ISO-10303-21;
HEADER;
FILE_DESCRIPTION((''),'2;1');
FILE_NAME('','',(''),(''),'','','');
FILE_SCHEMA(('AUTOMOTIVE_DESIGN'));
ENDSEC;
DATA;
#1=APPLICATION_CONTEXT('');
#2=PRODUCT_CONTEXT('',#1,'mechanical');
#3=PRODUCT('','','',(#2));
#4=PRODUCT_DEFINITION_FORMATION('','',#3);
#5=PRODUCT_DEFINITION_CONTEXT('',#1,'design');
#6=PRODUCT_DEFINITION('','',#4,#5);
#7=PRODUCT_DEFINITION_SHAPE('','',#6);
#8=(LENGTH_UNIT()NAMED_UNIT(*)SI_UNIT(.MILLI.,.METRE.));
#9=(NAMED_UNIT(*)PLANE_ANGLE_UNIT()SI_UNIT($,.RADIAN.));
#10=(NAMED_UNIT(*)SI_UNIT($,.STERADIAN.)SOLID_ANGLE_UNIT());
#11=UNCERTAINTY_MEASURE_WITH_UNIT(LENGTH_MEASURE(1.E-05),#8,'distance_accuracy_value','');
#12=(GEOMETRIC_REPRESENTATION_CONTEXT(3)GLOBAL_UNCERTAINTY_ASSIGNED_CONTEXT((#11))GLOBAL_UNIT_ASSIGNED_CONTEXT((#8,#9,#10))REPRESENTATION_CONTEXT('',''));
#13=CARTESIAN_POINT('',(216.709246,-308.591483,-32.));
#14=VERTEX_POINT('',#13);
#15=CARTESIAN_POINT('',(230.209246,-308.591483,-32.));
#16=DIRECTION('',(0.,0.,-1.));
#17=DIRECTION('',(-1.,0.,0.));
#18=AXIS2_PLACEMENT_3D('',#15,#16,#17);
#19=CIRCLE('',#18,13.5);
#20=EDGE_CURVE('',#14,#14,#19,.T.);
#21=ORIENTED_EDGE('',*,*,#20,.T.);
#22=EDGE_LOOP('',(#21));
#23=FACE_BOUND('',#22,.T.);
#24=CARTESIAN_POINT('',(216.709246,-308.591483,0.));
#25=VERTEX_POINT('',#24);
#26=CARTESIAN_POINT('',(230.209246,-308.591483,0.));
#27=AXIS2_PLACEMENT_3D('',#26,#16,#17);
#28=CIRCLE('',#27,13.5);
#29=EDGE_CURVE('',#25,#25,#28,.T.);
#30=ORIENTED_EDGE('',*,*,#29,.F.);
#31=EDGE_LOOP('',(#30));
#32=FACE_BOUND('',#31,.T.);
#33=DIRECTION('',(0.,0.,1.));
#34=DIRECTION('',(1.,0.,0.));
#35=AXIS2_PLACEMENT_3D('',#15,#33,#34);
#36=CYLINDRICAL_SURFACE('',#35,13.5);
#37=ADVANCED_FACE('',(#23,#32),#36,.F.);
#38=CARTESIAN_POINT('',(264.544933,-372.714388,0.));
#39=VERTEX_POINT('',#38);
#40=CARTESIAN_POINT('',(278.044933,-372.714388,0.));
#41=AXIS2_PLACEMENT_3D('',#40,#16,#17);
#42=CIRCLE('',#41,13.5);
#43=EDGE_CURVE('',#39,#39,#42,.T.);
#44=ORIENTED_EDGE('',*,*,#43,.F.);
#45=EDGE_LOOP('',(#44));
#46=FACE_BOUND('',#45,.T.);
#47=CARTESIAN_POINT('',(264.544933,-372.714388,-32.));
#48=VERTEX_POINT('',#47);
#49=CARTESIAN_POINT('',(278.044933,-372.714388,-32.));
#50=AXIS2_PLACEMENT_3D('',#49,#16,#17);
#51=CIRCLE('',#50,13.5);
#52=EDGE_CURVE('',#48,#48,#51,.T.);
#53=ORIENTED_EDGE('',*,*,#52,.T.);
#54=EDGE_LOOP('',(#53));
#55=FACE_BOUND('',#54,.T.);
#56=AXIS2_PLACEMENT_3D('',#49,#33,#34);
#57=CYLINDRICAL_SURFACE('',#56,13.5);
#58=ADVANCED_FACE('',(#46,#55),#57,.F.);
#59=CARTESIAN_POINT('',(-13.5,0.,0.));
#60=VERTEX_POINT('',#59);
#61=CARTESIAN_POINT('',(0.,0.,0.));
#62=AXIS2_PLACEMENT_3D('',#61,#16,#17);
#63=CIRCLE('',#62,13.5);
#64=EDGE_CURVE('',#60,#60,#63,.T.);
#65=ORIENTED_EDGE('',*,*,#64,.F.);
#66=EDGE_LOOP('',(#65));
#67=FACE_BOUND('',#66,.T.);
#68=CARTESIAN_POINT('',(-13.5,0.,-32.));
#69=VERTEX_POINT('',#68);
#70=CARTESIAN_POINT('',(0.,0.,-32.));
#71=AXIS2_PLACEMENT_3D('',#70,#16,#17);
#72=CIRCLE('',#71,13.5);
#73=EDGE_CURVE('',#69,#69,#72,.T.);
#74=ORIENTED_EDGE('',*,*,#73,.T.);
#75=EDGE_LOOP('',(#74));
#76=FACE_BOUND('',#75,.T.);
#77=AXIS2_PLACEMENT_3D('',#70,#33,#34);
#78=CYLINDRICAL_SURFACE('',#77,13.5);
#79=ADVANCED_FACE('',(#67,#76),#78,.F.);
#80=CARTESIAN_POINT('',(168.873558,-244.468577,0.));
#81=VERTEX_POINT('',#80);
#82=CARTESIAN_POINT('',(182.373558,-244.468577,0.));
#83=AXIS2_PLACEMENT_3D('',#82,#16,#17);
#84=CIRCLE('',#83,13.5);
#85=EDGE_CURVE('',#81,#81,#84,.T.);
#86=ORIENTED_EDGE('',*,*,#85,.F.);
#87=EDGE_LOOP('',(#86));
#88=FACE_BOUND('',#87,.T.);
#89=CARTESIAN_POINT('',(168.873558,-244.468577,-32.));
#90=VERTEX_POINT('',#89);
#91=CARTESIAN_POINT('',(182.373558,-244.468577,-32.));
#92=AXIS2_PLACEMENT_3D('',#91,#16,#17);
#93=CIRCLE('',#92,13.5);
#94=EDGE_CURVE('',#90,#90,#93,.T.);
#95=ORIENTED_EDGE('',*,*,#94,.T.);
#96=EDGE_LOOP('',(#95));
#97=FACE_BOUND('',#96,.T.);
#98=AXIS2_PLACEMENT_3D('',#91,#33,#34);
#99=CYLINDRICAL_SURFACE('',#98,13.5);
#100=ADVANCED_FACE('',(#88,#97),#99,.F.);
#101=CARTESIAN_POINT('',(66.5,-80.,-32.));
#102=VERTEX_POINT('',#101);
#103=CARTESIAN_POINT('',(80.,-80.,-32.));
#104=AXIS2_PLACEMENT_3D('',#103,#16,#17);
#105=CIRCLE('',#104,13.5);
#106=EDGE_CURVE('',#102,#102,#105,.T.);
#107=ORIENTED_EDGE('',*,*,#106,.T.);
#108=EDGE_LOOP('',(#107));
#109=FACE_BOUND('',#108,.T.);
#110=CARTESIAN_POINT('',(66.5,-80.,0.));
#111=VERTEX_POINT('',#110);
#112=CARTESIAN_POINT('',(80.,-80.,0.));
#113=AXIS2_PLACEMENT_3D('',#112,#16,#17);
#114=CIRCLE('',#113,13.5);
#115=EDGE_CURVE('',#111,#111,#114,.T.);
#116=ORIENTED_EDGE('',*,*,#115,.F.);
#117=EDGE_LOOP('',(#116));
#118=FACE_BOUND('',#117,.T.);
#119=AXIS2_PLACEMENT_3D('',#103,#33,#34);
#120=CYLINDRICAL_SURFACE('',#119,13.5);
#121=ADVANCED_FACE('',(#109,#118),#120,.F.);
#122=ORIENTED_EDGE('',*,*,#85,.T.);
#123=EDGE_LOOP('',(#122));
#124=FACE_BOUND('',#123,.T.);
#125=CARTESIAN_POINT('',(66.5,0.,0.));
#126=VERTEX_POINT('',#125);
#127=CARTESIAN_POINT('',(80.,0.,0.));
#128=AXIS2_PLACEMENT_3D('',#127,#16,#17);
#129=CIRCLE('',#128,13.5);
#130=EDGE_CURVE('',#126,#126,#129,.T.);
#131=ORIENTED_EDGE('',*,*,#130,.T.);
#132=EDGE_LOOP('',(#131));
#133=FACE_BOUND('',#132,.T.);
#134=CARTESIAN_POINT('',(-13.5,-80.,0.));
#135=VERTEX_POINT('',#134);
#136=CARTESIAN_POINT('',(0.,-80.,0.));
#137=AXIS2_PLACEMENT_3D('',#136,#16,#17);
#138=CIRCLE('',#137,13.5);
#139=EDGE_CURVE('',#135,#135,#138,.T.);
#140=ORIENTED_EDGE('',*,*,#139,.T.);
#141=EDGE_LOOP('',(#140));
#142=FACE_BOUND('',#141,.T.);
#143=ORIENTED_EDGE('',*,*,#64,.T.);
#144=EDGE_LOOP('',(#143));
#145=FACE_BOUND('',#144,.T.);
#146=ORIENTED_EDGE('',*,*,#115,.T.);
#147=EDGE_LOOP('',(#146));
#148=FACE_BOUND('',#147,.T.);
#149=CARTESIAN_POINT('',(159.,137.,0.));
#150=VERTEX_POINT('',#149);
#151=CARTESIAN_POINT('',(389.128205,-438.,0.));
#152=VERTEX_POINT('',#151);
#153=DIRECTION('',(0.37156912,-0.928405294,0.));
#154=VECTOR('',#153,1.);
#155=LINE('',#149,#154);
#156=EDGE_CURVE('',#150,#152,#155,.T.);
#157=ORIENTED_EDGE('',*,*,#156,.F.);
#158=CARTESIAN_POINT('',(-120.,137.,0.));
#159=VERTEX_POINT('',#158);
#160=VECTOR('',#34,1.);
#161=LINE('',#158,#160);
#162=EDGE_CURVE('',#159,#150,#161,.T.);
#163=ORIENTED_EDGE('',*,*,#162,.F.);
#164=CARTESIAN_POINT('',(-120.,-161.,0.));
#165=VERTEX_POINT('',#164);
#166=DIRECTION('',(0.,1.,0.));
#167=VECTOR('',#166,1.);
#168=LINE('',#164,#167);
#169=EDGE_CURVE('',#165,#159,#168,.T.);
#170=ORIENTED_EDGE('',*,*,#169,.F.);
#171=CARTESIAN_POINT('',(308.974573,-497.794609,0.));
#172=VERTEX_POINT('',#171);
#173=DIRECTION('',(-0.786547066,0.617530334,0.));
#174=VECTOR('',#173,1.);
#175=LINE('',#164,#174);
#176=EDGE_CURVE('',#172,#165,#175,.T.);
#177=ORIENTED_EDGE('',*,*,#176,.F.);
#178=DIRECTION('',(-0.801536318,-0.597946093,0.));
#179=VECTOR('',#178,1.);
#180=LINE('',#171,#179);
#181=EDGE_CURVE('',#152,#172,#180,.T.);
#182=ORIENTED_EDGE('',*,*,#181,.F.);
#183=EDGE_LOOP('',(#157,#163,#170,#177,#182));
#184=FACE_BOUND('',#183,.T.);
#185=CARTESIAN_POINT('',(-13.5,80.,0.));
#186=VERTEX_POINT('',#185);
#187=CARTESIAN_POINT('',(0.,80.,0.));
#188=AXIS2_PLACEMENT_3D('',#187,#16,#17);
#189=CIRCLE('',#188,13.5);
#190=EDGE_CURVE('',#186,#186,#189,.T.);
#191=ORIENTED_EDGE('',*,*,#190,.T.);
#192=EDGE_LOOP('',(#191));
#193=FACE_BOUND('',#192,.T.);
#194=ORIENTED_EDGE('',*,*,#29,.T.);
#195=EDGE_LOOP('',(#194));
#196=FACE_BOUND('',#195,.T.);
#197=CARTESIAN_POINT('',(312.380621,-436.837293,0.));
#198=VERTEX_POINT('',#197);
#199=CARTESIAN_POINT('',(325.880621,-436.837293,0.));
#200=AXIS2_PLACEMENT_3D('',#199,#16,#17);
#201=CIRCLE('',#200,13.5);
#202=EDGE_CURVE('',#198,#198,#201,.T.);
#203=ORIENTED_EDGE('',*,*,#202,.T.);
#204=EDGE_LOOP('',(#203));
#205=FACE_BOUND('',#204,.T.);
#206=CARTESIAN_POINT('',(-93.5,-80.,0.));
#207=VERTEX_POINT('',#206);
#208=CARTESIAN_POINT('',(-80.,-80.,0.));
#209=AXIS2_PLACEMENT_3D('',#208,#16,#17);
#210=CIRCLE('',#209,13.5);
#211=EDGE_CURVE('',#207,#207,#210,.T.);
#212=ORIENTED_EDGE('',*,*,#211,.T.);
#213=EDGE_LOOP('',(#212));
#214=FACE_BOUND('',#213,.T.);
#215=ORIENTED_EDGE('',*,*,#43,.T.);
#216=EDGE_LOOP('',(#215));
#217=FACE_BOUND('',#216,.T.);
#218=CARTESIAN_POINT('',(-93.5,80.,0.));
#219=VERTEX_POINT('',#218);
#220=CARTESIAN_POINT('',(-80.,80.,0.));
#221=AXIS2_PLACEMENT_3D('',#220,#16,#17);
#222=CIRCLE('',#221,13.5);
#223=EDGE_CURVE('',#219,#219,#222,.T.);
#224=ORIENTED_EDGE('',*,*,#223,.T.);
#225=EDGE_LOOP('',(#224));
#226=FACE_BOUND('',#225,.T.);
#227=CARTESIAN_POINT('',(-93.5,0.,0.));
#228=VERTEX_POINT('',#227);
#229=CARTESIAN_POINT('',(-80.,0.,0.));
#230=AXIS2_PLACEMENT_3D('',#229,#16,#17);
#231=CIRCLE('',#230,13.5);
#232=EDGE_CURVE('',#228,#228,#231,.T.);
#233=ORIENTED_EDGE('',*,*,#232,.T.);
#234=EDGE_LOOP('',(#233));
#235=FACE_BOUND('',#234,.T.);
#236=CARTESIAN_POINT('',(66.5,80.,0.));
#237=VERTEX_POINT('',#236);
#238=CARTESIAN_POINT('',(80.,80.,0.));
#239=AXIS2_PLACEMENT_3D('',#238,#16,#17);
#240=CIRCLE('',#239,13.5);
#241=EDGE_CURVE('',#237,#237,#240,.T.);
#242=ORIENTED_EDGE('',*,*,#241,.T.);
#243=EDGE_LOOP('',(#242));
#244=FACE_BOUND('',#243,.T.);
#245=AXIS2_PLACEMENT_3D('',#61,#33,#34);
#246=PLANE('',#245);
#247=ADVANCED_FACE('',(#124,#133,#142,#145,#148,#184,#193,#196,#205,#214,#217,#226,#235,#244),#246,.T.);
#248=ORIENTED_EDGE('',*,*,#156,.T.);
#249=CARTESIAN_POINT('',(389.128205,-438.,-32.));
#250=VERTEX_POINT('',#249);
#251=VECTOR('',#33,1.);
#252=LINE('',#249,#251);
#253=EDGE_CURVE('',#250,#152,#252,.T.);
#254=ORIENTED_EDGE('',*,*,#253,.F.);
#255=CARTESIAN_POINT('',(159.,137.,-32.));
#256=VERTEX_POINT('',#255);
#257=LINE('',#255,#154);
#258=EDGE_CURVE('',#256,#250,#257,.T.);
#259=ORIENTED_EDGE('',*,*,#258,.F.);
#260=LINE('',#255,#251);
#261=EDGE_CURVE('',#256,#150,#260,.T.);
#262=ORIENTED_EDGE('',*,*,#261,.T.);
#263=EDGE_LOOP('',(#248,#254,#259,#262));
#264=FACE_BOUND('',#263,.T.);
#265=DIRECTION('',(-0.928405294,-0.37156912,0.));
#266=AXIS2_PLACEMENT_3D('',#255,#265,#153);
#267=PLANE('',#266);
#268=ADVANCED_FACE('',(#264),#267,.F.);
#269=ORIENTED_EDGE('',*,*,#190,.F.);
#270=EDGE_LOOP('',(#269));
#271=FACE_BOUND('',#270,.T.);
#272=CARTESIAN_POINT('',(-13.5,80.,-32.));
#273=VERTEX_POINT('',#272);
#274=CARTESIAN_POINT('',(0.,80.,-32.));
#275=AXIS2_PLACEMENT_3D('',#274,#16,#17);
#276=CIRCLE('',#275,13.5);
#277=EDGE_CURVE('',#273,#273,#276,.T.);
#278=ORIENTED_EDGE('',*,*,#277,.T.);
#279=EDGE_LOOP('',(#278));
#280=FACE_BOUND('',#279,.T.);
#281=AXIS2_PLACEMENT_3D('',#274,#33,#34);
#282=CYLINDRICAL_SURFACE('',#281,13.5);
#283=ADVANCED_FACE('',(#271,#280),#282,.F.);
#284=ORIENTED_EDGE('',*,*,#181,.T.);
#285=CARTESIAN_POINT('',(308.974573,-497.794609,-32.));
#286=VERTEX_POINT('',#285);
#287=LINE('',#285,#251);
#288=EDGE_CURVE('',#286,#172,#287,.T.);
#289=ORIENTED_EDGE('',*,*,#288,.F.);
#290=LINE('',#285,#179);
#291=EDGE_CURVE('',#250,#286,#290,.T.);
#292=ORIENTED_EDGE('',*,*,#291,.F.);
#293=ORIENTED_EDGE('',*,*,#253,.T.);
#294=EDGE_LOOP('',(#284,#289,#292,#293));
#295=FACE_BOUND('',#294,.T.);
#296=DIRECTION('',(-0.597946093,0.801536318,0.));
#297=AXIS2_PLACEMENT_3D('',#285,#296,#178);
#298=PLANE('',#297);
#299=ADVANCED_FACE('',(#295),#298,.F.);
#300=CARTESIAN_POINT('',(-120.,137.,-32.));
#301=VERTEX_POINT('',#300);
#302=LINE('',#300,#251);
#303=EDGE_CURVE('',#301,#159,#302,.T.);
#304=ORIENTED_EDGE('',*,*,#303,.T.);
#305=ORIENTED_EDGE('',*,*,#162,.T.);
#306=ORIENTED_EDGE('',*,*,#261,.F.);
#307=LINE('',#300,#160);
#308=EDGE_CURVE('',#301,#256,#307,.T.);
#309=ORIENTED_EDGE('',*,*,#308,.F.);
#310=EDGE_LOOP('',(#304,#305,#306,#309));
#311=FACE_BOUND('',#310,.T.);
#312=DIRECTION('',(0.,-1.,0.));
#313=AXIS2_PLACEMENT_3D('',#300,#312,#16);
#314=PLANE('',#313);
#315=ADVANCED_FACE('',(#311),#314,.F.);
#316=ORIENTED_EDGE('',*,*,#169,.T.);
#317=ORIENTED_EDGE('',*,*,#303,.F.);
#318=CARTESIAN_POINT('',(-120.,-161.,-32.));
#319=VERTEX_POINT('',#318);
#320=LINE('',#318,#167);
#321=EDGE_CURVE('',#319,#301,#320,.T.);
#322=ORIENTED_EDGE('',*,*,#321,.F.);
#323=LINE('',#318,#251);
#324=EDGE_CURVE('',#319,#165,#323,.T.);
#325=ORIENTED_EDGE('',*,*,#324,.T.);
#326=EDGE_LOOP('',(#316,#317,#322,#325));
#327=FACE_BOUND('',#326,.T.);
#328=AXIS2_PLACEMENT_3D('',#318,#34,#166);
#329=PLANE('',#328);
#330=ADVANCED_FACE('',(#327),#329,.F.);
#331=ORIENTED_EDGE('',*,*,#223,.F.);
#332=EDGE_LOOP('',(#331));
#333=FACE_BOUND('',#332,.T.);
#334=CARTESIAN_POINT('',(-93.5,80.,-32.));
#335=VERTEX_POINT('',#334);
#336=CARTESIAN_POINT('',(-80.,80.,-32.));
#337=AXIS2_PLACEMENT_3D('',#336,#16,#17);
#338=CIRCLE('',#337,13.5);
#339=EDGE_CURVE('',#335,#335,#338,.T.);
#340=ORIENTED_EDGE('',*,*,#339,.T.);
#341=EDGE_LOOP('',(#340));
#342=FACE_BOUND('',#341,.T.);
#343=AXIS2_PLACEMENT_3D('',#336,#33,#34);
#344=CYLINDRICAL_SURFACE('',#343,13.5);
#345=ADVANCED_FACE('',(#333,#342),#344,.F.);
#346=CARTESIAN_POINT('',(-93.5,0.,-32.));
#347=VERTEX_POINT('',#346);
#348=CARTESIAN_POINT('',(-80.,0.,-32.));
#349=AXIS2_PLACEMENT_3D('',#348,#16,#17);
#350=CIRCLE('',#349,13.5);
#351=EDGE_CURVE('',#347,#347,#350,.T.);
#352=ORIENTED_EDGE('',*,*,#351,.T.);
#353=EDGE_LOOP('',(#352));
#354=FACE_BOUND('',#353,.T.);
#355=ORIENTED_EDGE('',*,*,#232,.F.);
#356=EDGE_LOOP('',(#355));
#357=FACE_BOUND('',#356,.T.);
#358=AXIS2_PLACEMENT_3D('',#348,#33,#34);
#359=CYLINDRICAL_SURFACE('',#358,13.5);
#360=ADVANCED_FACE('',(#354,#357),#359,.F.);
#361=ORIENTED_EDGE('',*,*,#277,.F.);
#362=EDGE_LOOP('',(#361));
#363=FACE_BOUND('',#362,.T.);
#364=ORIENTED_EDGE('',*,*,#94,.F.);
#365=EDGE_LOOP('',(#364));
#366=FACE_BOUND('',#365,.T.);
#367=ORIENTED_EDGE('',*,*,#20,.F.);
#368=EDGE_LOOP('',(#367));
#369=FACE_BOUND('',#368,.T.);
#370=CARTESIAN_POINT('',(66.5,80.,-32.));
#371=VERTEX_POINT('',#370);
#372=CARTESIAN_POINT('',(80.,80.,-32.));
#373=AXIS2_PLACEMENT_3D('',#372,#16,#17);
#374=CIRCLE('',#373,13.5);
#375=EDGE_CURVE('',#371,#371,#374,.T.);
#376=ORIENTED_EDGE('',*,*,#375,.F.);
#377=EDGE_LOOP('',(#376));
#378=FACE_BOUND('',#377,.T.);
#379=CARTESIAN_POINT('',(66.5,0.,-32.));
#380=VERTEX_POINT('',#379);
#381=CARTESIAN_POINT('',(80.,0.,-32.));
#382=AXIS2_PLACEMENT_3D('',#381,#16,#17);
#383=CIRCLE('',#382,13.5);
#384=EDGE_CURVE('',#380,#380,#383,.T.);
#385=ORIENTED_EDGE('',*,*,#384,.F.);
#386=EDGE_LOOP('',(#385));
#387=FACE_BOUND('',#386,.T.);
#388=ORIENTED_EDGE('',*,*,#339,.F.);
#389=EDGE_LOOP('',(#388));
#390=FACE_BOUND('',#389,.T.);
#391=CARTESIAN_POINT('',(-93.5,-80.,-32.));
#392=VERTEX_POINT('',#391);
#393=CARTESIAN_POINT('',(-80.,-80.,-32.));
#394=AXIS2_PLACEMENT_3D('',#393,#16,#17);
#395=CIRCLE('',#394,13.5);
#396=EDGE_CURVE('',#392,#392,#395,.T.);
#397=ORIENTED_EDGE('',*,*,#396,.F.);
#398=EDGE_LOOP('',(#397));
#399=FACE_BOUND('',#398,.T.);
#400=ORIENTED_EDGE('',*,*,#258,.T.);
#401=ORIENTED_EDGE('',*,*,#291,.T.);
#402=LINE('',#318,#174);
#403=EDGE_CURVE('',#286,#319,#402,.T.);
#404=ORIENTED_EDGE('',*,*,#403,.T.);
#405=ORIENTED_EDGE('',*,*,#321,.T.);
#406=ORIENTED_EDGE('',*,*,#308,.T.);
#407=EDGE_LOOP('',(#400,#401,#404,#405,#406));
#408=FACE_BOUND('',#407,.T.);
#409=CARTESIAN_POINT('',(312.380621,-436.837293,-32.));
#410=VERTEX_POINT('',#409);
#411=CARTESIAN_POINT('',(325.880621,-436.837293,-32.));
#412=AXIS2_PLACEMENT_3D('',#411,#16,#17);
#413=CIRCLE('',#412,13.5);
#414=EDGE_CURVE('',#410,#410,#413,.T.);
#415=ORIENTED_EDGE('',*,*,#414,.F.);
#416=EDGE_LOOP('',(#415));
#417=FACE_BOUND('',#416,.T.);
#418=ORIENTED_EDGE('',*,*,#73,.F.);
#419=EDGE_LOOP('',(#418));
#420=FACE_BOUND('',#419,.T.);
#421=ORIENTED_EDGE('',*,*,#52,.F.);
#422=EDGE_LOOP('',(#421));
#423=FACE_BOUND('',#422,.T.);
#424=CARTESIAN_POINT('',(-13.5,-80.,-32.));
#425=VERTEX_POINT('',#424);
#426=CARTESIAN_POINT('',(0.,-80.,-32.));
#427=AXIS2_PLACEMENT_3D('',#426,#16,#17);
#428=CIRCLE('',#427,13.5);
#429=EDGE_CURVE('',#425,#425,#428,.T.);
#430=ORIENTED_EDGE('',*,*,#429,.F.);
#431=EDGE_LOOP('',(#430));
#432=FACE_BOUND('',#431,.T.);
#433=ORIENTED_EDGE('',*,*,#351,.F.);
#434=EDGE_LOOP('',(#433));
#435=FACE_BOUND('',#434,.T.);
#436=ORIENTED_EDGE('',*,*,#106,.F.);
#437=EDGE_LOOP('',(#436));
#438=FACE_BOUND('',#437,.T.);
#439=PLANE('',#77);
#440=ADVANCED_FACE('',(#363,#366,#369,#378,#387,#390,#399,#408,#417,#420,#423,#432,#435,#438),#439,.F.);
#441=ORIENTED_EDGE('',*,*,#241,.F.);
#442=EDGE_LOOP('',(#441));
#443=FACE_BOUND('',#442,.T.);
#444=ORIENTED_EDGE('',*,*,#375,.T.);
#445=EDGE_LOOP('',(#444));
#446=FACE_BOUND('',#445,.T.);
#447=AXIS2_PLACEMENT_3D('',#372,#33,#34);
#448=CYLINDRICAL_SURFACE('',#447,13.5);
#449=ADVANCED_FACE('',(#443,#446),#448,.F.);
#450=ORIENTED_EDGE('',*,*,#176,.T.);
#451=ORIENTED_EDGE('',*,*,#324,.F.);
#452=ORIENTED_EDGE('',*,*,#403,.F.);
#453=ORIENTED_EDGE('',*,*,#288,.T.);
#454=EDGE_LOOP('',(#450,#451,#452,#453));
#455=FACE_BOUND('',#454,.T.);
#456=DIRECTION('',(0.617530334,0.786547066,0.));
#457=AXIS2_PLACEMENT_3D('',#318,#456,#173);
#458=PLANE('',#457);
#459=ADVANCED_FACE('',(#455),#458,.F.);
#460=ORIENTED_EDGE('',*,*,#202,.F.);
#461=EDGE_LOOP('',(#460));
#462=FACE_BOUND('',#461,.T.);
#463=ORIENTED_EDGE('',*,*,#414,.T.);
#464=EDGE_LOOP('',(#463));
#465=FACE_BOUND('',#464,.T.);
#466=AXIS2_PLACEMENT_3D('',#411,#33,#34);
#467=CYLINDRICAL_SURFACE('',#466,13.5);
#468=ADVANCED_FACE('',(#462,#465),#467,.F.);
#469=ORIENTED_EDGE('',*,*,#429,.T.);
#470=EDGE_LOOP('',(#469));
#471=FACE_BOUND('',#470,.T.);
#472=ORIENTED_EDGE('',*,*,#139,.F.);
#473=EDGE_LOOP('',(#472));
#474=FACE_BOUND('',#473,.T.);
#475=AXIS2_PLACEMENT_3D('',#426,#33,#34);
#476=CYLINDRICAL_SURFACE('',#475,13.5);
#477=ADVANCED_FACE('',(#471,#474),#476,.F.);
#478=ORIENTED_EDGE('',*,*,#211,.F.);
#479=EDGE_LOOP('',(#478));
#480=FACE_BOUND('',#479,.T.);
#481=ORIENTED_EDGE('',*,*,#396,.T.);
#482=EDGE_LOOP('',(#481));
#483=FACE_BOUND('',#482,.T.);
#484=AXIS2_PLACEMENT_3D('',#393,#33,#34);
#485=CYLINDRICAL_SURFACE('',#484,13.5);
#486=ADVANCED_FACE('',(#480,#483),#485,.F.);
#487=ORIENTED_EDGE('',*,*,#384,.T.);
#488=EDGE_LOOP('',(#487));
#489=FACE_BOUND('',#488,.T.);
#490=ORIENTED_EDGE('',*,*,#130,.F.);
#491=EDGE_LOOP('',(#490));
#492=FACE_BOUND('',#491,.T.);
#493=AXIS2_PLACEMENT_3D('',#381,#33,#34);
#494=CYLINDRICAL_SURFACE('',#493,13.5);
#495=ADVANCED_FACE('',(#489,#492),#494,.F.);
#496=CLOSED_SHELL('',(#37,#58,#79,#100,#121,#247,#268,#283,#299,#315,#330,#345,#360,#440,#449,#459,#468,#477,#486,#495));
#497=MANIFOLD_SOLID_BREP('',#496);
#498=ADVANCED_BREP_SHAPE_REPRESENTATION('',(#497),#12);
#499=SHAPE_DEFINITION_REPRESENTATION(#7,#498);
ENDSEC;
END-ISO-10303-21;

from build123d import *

# Parameters (mm, degrees)
SKETCH_1_R      = 13.5
EXTRUDE_1_DEPTH = 32


with BuildPart() as part:
    # 草图1 → 凸台-拉伸1 (new body)
    with BuildSketch(Plane(origin=(0, 0, 0), x_dir=(1, 0, 0), z_dir=(0, 0, -1))):
        Polygon((-120, 161), (-120, -137), (159, -137), (389.128205194, 438), (308.974573373, 497.794609338), align=None)
        with Locations(Location((0, 0, 0), (0, 0, 180))):
            Circle(SKETCH_1_R, mode=Mode.SUBTRACT)
        with Locations(Location((182.373558482, 244.468577054, 0), (0, 0, 180))):
            Circle(SKETCH_1_R, mode=Mode.SUBTRACT)
        with Locations(Location((230.209245953, 308.59148251, 0), (0, 0, 180))):
            Circle(SKETCH_1_R, mode=Mode.SUBTRACT)
        with Locations(Location((278.044933423, 372.714387967, 0), (0, 0, 180))):
            Circle(SKETCH_1_R, mode=Mode.SUBTRACT)
        with Locations(Location((325.880620894, 436.837293424, 0), (0, 0, 180))):
            Circle(SKETCH_1_R, mode=Mode.SUBTRACT)
        with Locations(Location((-80, 0, 0), (0, 0, 180))):
            Circle(SKETCH_1_R, mode=Mode.SUBTRACT)
        with Locations(Location((80, 0, 0), (0, 0, 180))):
            Circle(SKETCH_1_R, mode=Mode.SUBTRACT)
        with Locations(Location((-80, -80, 0), (0, 0, 180))):
            Circle(SKETCH_1_R, mode=Mode.SUBTRACT)
        with Locations(Location((0, -80, 0), (0, 0, 180))):
            Circle(SKETCH_1_R, mode=Mode.SUBTRACT)
        with Locations(Location((80, -80, 0), (0, 0, 180))):
            Circle(SKETCH_1_R, mode=Mode.SUBTRACT)
        with Locations(Location((-80, 80, 0), (0, 0, 180))):
            Circle(SKETCH_1_R, mode=Mode.SUBTRACT)
        with Locations(Location((0, 80, 0), (0, 0, 180))):
            Circle(SKETCH_1_R, mode=Mode.SUBTRACT)
        with Locations(Location((80, 80, 0), (0, 0, 180))):
            Circle(SKETCH_1_R, mode=Mode.SUBTRACT)
    extrude(amount=EXTRUDE_1_DEPTH)


solid = part.part
